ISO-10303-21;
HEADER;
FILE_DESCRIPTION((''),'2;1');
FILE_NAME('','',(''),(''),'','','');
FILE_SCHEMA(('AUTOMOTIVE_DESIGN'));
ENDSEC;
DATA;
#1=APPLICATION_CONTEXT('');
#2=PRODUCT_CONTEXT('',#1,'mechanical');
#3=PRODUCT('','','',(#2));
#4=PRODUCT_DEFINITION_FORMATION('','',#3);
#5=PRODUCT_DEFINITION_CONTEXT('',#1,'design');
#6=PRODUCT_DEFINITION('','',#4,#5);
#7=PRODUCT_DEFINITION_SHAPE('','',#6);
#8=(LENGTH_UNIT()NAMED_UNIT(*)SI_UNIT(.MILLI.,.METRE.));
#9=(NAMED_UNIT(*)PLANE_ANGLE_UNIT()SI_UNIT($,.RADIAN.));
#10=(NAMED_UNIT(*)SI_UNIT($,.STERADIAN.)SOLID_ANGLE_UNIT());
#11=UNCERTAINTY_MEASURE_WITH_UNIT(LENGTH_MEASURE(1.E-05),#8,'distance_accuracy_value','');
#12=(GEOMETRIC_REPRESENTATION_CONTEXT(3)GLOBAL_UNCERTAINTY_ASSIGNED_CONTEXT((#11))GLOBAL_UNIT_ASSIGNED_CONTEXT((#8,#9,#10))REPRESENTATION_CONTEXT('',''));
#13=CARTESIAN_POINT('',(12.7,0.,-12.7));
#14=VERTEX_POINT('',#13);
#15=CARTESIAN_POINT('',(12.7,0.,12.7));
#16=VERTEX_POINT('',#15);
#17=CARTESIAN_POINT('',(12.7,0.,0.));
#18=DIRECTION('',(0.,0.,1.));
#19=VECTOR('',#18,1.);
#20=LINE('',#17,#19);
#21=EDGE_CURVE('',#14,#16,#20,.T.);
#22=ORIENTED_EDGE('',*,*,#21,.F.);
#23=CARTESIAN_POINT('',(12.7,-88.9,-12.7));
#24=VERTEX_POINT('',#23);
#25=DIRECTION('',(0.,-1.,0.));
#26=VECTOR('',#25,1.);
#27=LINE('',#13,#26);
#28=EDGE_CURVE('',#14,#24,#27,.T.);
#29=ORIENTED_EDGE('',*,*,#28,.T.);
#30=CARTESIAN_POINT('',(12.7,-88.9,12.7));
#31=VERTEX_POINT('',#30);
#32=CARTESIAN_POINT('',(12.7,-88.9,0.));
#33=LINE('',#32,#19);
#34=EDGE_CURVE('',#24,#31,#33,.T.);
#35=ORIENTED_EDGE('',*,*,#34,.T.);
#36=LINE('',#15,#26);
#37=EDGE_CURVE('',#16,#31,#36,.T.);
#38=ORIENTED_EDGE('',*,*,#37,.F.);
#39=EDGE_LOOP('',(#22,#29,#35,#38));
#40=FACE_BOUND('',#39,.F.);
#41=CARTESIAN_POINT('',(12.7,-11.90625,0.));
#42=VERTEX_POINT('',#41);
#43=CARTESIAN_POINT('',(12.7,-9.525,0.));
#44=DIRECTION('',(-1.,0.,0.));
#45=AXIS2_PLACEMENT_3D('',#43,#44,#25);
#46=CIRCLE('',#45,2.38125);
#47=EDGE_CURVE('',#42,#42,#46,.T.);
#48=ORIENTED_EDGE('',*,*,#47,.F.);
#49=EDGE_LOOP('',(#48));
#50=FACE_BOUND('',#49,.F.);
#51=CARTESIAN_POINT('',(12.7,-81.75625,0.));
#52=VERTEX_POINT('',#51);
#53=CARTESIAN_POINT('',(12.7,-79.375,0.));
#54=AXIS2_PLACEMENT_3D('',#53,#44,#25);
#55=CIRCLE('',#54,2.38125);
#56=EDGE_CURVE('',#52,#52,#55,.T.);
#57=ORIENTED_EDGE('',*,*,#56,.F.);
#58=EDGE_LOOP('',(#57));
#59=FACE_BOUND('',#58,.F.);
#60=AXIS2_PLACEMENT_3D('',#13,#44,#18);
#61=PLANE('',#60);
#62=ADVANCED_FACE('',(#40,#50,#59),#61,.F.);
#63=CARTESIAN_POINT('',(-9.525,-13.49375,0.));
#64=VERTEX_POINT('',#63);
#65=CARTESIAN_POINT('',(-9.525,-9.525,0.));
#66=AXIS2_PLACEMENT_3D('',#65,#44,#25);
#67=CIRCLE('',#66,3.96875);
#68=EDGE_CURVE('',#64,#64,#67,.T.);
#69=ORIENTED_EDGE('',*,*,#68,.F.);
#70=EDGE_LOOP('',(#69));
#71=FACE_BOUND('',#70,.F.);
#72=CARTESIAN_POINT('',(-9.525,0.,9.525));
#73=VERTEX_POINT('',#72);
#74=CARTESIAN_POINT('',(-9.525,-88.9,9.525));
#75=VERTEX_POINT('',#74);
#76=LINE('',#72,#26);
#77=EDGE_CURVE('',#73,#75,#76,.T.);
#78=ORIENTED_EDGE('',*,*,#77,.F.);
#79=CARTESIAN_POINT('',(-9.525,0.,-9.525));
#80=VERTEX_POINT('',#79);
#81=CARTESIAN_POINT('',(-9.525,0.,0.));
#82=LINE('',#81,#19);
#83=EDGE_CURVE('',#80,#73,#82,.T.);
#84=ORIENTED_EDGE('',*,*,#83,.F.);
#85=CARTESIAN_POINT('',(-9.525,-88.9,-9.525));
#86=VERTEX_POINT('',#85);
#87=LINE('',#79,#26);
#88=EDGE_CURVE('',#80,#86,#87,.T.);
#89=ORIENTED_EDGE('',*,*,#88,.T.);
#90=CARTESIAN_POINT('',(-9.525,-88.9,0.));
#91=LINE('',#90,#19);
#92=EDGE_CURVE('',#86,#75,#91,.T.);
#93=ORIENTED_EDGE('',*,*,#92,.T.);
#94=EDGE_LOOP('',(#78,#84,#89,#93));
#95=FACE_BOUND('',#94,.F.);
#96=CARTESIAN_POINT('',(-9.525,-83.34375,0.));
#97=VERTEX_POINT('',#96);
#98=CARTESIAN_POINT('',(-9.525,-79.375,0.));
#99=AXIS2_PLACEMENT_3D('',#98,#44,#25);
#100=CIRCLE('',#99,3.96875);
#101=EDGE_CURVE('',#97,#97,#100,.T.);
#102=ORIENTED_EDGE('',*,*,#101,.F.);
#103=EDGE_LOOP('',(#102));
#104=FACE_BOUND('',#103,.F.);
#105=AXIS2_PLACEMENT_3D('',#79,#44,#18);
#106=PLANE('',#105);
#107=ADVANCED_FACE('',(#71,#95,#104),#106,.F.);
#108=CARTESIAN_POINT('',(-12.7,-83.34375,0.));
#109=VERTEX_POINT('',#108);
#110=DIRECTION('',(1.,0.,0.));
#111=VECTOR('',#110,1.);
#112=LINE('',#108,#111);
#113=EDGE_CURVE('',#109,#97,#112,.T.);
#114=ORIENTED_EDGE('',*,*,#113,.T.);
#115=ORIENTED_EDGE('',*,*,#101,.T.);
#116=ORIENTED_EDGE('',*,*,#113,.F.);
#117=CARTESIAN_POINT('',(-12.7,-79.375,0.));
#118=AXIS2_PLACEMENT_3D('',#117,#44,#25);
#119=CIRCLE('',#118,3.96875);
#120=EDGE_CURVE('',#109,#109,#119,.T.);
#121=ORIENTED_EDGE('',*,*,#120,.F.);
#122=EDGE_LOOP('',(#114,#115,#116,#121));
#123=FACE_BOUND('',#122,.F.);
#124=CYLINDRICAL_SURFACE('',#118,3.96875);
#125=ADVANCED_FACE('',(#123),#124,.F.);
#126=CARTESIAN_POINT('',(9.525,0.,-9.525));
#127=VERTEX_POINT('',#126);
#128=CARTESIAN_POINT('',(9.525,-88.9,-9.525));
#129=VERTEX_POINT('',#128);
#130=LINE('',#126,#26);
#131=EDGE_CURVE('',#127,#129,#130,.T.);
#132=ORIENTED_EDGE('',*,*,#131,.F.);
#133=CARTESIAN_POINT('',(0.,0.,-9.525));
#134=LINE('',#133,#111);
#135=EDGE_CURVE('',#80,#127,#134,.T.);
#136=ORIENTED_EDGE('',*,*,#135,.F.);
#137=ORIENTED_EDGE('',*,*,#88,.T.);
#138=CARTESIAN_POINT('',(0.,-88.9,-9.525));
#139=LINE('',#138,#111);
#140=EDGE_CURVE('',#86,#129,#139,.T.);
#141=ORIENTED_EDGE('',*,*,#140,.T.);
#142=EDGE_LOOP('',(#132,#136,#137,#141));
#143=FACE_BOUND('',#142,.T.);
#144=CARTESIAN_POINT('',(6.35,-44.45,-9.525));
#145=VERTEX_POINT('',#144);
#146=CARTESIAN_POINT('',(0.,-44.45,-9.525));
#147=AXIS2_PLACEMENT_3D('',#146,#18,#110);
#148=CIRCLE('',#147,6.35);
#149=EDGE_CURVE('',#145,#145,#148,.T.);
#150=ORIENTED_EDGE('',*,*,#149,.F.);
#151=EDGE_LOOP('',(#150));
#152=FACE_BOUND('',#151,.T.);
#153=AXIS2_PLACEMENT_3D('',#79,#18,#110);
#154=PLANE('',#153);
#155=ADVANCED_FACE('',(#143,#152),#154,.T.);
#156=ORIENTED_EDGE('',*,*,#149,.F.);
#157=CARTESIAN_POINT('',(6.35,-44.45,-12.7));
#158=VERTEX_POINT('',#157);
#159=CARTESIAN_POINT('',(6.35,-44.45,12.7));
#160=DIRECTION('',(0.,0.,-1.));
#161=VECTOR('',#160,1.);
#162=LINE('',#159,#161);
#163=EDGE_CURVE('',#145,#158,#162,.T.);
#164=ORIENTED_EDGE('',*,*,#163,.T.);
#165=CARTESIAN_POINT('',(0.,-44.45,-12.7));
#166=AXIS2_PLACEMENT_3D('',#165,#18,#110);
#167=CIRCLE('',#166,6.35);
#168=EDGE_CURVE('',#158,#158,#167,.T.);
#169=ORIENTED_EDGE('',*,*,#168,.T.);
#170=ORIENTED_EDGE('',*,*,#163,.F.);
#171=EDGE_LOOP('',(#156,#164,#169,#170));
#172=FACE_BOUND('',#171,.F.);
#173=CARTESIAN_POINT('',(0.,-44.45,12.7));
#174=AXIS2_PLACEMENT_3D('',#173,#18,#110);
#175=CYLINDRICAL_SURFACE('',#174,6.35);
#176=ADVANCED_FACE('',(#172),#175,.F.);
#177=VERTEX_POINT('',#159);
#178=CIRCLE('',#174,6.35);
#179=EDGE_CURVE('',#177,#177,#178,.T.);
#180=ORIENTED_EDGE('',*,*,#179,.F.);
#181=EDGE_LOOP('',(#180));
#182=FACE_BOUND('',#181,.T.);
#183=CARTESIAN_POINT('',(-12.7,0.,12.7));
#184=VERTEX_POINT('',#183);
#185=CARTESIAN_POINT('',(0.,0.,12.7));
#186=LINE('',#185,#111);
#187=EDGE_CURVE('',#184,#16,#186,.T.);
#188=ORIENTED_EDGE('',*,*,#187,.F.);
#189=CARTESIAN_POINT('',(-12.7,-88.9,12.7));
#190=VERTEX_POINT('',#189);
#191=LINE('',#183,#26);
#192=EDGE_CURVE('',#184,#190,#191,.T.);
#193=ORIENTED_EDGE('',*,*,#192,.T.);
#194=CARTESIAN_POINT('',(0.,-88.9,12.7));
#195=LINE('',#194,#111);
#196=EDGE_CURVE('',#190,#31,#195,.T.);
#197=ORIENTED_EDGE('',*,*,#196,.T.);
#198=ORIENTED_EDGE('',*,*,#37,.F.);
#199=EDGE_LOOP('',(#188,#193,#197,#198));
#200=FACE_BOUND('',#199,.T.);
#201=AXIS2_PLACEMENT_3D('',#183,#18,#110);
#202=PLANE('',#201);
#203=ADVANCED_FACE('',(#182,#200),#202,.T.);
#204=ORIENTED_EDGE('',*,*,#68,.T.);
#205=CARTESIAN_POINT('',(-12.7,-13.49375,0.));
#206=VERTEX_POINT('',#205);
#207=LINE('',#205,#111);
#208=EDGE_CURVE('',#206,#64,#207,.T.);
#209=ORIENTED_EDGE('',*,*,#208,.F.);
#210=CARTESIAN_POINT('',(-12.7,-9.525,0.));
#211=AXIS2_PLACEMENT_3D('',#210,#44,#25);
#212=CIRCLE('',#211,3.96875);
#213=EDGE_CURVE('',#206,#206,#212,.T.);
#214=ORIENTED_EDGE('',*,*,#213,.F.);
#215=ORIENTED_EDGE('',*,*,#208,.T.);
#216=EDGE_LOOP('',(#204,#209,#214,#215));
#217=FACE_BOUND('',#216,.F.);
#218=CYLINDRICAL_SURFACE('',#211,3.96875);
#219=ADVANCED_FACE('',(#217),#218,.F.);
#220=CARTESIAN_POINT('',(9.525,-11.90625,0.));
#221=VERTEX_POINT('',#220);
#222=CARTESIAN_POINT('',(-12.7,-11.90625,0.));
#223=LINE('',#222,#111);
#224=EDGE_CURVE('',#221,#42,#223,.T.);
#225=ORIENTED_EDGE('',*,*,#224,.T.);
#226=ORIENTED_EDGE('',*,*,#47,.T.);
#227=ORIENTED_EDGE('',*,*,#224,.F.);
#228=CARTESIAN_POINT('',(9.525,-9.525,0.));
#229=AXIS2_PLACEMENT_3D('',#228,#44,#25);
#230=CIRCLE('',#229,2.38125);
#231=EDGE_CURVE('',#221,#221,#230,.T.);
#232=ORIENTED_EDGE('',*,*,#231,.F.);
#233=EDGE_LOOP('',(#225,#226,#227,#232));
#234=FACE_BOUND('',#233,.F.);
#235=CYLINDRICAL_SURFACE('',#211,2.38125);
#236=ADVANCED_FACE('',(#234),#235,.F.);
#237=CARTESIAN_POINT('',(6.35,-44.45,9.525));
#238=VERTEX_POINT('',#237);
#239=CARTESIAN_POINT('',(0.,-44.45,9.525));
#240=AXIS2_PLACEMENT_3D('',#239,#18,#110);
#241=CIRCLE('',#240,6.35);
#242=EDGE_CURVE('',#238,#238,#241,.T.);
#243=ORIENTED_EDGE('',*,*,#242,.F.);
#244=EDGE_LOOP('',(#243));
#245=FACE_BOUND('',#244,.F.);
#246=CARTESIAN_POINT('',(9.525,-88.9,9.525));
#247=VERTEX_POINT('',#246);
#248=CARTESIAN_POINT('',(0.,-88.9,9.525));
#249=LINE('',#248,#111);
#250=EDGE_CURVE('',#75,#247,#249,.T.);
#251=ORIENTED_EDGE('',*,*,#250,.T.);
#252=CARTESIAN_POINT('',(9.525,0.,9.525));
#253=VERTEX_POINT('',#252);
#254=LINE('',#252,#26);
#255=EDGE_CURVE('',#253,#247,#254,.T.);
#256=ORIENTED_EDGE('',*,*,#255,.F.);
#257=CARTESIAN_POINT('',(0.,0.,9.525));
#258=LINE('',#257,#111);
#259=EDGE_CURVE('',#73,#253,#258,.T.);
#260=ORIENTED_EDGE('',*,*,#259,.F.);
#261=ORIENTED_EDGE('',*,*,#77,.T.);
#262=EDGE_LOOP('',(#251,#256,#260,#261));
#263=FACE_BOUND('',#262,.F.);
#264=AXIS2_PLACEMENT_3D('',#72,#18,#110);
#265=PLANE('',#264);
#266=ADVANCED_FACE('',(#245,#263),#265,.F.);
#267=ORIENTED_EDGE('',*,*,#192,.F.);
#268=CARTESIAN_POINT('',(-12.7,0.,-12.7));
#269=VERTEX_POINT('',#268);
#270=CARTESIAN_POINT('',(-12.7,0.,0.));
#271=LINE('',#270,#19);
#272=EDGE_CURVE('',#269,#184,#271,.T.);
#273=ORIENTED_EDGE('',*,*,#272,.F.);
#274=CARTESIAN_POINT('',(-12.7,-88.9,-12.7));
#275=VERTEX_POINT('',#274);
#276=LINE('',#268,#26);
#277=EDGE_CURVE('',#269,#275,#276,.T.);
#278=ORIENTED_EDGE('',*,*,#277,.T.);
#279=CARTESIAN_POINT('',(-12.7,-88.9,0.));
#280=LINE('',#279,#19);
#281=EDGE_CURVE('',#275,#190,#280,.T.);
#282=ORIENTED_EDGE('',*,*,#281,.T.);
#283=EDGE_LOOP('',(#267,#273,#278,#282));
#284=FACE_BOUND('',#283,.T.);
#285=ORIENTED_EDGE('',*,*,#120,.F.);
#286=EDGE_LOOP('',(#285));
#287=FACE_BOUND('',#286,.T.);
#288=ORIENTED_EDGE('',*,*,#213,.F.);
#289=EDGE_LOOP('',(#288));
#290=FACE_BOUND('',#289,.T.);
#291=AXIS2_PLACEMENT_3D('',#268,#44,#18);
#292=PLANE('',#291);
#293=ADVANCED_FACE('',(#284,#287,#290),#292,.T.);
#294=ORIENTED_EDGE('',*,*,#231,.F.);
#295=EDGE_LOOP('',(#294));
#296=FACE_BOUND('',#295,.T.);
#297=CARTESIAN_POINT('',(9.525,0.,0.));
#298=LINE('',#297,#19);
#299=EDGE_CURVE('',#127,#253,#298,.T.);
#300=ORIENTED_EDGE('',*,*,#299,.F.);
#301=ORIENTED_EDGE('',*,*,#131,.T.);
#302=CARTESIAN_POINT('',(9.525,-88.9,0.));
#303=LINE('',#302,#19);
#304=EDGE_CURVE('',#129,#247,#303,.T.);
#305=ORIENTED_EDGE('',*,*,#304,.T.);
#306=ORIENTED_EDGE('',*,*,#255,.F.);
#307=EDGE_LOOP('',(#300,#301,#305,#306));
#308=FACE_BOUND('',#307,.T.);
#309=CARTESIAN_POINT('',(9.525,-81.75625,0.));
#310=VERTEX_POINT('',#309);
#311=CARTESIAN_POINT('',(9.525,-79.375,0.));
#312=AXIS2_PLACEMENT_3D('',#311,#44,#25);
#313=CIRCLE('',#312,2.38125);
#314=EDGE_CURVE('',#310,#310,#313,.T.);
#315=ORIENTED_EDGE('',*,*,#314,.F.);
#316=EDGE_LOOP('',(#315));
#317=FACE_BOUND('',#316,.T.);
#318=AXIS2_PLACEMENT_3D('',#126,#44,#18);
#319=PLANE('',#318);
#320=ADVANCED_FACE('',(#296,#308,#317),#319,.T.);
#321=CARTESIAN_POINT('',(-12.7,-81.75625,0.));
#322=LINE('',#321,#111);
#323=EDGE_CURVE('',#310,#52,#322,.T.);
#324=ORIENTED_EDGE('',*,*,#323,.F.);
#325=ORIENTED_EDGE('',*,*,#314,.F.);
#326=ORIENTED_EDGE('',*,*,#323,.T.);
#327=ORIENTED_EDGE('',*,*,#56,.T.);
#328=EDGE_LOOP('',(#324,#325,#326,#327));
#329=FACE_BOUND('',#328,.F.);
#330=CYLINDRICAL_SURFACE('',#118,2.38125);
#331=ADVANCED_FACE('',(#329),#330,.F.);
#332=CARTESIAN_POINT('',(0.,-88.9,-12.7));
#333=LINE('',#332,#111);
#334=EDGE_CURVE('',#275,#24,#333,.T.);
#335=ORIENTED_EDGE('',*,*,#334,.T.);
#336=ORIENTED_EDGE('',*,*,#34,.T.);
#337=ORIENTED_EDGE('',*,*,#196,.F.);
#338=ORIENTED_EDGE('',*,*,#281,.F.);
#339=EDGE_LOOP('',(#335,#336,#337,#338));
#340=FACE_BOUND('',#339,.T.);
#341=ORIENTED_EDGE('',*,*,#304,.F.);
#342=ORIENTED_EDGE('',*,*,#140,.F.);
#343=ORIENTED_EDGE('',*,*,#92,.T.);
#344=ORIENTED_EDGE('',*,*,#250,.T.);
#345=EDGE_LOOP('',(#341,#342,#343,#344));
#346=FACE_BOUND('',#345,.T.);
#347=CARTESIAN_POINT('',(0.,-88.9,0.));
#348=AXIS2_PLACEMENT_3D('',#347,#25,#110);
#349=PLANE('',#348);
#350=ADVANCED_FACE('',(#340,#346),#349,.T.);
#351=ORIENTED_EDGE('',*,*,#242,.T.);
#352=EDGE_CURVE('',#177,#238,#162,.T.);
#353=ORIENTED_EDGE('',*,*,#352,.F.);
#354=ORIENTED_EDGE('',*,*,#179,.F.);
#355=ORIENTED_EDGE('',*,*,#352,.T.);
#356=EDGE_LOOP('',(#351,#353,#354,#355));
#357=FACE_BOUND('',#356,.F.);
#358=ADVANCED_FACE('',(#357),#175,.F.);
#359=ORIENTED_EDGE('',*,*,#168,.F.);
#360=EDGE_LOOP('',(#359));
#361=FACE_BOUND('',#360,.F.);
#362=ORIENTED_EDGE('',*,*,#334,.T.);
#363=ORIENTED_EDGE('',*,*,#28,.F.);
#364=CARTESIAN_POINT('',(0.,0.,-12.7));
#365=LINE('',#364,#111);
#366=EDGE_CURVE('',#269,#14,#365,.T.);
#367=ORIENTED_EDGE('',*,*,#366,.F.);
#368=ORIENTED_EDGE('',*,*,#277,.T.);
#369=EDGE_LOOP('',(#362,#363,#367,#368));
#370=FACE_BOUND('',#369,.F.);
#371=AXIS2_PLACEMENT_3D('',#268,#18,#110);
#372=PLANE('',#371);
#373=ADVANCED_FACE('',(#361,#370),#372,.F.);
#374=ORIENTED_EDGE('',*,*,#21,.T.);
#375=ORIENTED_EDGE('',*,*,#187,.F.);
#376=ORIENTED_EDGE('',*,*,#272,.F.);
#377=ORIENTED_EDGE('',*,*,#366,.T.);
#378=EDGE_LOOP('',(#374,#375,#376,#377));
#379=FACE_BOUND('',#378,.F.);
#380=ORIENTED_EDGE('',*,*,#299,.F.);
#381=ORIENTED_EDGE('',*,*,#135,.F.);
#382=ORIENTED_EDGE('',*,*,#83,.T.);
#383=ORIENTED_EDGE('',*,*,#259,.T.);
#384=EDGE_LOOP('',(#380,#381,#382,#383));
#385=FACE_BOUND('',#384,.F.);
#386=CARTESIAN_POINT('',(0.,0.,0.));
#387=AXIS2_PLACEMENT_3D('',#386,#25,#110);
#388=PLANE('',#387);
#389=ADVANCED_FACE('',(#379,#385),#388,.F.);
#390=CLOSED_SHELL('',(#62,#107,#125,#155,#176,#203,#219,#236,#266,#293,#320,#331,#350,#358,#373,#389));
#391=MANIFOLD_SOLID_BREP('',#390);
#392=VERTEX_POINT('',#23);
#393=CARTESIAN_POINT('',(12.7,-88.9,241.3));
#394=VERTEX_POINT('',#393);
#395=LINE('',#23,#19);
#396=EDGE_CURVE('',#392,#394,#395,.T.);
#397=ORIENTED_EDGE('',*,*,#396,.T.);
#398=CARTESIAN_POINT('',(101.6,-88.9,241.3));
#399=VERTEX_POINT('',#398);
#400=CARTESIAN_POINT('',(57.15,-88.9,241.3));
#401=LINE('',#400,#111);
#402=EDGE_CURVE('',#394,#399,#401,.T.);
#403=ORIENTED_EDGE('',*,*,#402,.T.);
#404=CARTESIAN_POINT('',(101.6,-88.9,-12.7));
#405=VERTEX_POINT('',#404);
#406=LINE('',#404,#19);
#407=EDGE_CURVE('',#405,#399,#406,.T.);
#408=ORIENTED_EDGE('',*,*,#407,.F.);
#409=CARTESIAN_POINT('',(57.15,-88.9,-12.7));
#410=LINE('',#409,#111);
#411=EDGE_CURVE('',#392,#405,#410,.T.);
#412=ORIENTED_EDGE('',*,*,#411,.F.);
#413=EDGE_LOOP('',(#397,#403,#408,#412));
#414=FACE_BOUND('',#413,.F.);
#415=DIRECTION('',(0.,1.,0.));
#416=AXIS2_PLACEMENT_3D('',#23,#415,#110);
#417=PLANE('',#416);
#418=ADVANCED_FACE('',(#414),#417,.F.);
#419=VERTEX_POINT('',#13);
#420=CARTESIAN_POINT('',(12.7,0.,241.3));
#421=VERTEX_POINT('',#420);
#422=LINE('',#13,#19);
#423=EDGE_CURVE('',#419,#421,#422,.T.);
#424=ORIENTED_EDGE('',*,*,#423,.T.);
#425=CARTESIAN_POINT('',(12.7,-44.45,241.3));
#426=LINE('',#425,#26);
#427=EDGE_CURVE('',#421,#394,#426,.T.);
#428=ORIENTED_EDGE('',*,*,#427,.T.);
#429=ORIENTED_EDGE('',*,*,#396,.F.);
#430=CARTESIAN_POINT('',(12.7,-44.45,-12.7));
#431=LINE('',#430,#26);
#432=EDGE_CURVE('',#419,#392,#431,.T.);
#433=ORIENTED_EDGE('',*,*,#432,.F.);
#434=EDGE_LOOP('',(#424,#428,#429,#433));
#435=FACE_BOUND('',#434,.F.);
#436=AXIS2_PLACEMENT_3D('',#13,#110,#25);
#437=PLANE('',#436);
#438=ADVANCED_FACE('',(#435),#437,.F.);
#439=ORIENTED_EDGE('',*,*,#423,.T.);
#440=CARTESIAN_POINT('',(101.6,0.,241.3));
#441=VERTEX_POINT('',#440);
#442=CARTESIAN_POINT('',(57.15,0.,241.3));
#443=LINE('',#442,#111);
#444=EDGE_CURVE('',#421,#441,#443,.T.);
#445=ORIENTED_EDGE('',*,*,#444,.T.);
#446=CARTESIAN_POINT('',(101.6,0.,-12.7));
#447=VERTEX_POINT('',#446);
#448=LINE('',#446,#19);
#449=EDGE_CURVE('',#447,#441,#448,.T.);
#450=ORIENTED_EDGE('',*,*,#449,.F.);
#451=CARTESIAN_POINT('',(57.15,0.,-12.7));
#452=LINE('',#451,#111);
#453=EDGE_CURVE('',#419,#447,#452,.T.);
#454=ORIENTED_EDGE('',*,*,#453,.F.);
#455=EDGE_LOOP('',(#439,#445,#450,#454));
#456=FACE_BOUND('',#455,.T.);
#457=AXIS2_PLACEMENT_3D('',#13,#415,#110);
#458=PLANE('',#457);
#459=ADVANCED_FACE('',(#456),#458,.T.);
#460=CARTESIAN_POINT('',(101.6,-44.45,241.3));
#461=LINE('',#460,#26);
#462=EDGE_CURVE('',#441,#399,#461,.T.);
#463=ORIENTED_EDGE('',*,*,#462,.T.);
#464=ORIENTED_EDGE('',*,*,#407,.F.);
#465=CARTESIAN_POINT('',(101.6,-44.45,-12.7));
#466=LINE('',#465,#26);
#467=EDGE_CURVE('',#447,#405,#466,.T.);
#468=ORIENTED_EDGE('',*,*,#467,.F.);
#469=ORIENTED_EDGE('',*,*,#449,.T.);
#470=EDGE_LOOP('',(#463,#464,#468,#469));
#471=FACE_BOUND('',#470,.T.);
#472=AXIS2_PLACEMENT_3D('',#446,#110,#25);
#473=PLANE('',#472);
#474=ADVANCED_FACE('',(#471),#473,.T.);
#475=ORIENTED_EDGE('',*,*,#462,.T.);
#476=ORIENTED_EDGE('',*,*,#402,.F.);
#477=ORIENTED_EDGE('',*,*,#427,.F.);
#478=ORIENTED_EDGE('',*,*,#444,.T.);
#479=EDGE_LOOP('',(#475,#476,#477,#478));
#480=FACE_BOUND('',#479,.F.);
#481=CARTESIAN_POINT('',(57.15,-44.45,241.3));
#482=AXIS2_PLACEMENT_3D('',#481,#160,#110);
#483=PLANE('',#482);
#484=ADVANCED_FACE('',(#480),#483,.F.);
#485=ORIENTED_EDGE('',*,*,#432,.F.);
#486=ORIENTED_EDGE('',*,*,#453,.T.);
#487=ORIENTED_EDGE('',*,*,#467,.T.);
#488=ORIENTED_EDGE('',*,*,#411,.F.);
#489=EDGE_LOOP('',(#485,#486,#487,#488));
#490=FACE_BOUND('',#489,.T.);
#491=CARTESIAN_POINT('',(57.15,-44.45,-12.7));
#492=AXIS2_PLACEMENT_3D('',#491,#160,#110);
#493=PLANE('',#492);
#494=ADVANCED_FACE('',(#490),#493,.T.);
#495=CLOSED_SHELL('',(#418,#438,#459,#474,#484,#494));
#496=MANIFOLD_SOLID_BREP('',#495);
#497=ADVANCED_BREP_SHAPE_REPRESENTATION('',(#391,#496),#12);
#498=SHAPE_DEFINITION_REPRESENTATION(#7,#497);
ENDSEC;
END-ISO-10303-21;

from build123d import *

# Parameters (mm, degrees)
F0_W     = 25.4
F0_H     = 25.4
F0_W_2   = 19.05
F0_H_2   = 19.05
F1_DEPTH = 88.9
F2_R     = 6.35
F3_DEPTH = 25.401
F4_R     = 2.38125
F5_DEPTH = 25.401
F6_R     = 3.96875
F7_DEPTH = 3.175
F8_W     = 88.9
F8_H     = 88.9
F9_DEPTH = 254


with BuildPart() as f1:
    # F0 (on Front) → F1 (new body)
    with BuildSketch(Plane.XZ):
        Rectangle(F0_W, F0_H)
        Rectangle(F0_W_2, F0_H_2, mode=Mode.SUBTRACT)
    extrude(amount=F1_DEPTH)

    # F2 (on face) → F3 (cut, through all)
    with BuildSketch(Plane.XY.offset(12.7)):
        with Locations((0, -44.45)):
            Circle(F2_R)
    extrude(amount=-F3_DEPTH, mode=Mode.SUBTRACT)

    # F4 (on face) → F5 (cut, through all)
    with BuildSketch(Plane(origin=(-12.7, 0, 0), x_dir=(0, -1, 0), z_dir=(-1, 0, 0))):
        with Locations((9.525, 0)):
            Circle(F4_R)
        with Locations((79.375, 0)):
            Circle(F4_R)
    extrude(amount=-F5_DEPTH, mode=Mode.SUBTRACT)

    # F6 (on face) → F7 (cut, through all)
    with BuildSketch(Plane(origin=(-12.7, 0, 0), x_dir=(0, -1, 0), z_dir=(-1, 0, 0))):
        with Locations((9.525, 0)):
            Circle(F6_R)
        with Locations((79.375, 0)):
            Circle(F6_R)
    extrude(amount=-F7_DEPTH, mode=Mode.SUBTRACT)


with BuildPart() as f9:
    # F8 (on face) → F9 (new body)
    with BuildSketch(Plane(origin=(0, 0, -12.7), x_dir=(1, 0, 0), z_dir=(0, 0, -1))):
        with Locations((57.15, 44.45)):
            Rectangle(F8_W, F8_H)
    extrude(amount=-F9_DEPTH)


solid = Compound([f1.part, f9.part])
